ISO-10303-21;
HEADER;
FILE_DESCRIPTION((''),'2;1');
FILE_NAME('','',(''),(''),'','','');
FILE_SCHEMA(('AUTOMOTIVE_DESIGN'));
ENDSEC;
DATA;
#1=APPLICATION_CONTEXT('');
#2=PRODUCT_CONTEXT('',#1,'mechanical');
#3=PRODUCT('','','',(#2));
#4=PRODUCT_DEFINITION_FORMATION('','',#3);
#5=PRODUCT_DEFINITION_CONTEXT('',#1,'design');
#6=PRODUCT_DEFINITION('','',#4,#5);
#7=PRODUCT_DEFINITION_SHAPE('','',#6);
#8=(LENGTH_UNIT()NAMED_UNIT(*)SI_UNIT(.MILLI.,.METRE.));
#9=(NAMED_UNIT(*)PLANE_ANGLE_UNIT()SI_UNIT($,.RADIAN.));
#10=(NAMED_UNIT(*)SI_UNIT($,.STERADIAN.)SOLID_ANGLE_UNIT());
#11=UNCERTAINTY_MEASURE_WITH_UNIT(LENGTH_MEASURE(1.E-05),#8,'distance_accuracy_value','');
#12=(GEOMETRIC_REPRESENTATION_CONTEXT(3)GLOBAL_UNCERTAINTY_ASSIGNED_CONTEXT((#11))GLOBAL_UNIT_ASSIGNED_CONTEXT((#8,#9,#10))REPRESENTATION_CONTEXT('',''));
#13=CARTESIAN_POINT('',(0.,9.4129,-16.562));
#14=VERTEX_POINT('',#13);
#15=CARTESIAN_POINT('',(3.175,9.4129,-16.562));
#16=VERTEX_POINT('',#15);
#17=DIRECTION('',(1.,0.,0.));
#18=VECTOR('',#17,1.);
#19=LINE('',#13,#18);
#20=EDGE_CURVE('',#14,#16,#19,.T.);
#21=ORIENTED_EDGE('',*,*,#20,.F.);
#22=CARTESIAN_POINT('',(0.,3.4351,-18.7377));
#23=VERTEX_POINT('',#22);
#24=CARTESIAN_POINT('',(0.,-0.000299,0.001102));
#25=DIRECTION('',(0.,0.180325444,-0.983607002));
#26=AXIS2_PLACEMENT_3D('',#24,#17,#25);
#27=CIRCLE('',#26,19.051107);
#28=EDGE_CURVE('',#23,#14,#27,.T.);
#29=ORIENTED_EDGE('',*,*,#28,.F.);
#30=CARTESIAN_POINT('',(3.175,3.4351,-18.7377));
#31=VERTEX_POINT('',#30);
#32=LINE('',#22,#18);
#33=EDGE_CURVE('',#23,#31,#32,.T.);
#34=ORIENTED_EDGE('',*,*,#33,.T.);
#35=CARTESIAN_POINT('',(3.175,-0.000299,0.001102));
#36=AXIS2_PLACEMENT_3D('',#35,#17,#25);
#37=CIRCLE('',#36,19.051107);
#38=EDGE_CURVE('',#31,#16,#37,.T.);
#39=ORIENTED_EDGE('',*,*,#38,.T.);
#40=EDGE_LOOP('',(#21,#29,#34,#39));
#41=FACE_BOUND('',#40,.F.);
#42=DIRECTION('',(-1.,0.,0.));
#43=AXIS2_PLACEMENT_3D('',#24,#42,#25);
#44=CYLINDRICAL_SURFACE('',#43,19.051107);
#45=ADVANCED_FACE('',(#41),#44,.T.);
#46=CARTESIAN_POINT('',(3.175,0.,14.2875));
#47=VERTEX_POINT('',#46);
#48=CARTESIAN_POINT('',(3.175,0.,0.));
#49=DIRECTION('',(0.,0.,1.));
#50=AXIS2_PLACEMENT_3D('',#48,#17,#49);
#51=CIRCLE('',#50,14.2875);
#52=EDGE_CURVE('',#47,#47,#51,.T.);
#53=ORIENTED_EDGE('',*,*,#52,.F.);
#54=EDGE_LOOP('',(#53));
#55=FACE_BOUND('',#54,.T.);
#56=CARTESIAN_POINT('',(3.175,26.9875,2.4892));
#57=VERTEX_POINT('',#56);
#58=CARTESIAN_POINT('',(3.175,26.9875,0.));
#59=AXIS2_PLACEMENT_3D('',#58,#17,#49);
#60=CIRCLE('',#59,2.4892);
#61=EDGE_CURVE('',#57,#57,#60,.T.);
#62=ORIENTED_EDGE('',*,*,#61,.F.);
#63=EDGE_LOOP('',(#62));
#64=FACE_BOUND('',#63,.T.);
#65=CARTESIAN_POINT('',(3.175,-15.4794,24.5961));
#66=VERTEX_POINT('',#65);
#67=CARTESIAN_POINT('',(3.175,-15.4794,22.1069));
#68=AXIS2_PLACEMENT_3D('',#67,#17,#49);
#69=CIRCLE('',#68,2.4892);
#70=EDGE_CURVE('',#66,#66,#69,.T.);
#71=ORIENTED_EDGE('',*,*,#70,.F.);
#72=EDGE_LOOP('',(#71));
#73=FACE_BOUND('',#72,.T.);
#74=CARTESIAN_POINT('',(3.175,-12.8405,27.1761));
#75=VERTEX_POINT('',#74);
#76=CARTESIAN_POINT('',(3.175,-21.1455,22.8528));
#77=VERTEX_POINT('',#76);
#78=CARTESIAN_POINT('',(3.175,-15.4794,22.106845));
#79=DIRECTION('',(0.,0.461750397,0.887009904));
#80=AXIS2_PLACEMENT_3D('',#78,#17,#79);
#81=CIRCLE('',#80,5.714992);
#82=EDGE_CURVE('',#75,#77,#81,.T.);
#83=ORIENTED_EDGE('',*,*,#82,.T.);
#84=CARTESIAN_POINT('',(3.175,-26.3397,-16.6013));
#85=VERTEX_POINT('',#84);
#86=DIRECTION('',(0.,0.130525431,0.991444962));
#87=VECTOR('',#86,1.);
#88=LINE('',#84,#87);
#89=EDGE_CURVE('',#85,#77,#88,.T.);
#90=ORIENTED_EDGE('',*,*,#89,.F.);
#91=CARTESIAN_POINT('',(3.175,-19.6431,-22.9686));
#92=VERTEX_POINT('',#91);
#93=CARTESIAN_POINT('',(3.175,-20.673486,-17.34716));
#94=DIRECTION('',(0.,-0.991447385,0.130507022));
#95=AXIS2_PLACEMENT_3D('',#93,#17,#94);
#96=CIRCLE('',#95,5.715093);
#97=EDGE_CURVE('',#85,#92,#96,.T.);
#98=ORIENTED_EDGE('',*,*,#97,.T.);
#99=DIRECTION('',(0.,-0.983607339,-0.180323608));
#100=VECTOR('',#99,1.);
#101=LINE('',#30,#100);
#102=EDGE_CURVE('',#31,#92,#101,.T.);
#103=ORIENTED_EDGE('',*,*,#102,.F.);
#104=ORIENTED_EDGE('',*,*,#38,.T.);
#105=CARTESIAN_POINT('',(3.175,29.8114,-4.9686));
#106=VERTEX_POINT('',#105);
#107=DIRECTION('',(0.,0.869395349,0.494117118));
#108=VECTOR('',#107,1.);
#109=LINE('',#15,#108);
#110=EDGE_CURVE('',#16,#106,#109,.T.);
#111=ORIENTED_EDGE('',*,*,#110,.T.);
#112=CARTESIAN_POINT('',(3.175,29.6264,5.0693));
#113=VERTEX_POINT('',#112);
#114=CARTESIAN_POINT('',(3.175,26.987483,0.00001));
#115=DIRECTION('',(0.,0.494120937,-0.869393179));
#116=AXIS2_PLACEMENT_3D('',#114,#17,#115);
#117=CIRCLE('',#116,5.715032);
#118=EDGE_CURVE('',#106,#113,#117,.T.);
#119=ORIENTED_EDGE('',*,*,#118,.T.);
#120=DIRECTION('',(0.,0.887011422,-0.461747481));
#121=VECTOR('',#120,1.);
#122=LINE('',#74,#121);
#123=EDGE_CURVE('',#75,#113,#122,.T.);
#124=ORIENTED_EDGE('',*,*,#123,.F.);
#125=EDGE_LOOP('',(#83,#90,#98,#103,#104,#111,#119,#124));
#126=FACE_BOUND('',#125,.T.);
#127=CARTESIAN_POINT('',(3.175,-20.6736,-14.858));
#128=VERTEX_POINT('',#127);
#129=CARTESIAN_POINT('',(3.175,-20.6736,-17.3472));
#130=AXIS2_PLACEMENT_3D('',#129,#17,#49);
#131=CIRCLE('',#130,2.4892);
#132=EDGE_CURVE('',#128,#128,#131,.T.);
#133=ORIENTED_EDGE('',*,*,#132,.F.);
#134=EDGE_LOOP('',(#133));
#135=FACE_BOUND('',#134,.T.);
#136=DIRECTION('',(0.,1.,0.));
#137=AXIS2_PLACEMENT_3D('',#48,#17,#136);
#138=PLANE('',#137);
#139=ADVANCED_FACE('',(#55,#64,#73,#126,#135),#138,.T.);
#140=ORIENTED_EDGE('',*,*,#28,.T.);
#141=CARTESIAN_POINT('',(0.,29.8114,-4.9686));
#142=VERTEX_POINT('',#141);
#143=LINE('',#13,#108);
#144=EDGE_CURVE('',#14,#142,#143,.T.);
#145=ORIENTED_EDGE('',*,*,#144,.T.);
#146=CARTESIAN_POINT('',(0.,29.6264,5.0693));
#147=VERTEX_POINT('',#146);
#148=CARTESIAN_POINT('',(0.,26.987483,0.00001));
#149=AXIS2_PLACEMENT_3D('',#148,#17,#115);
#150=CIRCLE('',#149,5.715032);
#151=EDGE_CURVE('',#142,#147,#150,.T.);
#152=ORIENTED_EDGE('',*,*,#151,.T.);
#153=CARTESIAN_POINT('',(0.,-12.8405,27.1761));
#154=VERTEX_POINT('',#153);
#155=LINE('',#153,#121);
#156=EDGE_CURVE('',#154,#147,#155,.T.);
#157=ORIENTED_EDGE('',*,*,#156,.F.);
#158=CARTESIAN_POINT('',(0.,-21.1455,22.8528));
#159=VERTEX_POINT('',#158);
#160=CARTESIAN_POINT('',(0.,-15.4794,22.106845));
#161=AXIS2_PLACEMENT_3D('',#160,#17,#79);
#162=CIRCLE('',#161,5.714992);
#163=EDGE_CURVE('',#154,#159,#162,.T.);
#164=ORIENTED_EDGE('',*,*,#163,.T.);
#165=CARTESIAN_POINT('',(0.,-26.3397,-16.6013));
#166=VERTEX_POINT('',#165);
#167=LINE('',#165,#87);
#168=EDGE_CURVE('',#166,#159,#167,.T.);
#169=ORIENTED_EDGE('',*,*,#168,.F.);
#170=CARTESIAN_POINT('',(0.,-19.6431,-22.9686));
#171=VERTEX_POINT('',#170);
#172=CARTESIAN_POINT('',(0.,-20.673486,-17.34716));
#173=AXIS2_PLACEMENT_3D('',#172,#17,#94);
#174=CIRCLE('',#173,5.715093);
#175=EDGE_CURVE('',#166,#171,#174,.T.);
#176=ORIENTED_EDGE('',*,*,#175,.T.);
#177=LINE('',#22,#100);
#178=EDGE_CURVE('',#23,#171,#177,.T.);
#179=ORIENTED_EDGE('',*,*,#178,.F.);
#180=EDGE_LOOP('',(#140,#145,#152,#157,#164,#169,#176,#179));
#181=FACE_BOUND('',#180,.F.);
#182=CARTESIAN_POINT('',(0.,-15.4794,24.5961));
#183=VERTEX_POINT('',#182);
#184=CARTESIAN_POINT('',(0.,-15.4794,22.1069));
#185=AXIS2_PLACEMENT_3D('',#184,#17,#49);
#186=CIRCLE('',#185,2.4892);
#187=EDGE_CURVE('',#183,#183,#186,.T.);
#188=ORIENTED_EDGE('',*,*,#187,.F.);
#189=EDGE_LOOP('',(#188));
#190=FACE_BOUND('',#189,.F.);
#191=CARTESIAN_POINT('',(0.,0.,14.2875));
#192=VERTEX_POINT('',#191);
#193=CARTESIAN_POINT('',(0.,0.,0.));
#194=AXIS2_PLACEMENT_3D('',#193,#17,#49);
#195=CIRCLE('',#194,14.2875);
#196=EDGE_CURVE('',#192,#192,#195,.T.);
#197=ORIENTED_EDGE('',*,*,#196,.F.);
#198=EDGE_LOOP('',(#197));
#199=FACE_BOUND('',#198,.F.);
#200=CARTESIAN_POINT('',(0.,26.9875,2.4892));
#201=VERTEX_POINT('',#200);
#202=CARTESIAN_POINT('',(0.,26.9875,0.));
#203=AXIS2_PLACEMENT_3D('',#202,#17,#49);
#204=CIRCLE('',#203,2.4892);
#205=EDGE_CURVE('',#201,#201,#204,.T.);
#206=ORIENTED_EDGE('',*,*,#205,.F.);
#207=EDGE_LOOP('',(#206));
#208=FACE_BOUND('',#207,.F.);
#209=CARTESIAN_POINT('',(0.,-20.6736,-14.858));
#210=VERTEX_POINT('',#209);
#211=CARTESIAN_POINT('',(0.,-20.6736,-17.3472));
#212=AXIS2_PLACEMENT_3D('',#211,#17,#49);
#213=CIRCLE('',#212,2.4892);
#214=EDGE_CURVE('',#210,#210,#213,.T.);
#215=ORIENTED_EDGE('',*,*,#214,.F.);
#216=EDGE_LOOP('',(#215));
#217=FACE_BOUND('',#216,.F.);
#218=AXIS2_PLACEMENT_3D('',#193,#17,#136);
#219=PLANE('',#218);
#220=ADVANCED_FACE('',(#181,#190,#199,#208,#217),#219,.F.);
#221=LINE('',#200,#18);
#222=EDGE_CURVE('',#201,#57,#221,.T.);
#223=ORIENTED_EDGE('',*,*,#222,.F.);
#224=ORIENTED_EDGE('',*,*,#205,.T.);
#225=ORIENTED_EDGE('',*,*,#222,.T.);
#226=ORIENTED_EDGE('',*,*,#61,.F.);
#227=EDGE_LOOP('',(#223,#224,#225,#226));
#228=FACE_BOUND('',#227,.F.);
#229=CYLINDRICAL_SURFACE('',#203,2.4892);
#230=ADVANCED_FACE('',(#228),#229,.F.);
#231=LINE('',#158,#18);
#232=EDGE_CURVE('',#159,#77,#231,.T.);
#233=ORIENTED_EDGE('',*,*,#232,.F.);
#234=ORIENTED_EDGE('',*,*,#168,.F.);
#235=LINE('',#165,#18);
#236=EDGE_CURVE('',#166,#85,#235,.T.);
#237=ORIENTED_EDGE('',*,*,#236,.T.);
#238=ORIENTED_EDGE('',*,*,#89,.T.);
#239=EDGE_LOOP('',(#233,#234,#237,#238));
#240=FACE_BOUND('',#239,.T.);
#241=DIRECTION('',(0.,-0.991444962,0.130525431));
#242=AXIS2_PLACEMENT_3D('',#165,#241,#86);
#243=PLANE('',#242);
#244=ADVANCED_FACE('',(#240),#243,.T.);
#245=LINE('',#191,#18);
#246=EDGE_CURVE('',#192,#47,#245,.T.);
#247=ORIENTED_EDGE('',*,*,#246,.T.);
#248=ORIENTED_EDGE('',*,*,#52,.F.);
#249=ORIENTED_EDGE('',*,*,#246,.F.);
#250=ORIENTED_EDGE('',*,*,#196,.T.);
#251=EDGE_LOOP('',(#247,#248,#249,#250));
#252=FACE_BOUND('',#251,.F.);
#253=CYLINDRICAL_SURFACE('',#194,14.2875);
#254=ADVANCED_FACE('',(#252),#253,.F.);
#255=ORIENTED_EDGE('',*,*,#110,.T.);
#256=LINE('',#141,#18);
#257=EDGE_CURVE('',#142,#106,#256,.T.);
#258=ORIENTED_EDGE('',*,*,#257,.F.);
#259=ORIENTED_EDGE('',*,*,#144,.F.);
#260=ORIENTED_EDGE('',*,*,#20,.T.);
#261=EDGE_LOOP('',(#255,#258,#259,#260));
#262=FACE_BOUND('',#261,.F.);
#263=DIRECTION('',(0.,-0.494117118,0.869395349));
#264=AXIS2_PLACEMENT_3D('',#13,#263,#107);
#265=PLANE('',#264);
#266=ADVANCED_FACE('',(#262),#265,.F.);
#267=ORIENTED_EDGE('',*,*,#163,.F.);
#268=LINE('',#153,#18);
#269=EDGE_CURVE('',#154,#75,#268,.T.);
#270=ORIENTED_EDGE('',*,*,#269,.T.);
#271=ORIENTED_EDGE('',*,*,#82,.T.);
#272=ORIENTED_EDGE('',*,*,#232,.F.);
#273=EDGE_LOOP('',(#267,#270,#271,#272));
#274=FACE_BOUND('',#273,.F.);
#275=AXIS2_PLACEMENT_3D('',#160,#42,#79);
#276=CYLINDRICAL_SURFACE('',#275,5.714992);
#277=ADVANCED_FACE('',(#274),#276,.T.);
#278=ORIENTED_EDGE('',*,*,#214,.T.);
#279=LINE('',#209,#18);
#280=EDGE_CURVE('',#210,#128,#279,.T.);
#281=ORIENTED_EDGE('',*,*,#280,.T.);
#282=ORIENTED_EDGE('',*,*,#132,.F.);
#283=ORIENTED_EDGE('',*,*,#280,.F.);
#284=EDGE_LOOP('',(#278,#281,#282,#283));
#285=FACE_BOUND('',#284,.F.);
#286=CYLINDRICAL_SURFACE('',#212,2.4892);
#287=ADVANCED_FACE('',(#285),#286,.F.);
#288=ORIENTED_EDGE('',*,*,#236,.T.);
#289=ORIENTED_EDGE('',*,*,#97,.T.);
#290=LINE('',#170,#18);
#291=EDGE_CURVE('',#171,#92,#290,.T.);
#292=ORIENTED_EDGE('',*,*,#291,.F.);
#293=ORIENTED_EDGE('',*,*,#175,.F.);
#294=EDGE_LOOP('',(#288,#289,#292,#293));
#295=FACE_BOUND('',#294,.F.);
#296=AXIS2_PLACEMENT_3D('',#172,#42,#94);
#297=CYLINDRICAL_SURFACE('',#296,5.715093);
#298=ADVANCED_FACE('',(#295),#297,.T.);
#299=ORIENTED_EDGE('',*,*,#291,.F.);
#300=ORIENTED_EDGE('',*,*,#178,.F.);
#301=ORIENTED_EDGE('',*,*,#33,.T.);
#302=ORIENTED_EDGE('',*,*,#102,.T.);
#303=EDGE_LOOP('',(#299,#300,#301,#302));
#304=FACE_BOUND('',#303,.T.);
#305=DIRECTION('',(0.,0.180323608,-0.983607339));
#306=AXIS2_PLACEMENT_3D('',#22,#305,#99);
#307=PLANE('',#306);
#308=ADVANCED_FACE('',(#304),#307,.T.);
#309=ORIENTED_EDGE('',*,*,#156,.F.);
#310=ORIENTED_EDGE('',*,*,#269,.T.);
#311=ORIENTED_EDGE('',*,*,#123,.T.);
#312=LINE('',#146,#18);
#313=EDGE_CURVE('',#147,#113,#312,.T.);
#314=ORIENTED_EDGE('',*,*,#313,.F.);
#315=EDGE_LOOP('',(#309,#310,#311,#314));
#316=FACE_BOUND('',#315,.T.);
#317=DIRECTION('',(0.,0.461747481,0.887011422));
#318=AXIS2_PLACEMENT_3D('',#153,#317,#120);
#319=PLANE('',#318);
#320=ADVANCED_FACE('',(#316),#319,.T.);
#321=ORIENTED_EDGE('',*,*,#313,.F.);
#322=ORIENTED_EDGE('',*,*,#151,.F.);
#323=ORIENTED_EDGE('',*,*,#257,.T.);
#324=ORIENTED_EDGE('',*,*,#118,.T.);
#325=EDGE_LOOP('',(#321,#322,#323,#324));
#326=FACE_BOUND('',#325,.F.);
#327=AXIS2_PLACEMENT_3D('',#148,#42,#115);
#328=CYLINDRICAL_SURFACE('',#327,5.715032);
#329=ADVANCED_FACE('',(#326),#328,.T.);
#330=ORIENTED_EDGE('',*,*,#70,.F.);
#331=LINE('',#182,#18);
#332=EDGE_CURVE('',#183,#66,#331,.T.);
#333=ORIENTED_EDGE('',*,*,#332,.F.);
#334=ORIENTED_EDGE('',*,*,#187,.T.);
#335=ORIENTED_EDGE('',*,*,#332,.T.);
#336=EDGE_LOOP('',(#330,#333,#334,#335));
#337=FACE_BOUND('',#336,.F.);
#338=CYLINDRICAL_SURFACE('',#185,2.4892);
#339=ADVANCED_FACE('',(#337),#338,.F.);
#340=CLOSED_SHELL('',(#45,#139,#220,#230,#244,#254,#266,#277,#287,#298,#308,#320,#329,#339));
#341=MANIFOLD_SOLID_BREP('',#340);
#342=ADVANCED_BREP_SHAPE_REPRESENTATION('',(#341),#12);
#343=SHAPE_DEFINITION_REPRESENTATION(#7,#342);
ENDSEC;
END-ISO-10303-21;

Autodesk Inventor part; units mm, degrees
ref_plane "YZ Plane" through (0, 0, 0) normal (1, 0, 0) x (0, 1, 0)
ref_plane "XZ Plane" through (0, 0, 0) normal (0, 1, 0) x (-1, 0, 0)
ref_plane "XY Plane" through (0, 0, 0) normal (0, 0, 1) x (1, 0, 0)
sketch "Sketch1" plane through (0, 0, 0) normal (1, 0, 0) x (0, 1, 0)
  line L0 (-15.4794, 22.1069) -> (0, 0) construction
  line L1 (0, 0) -> (26.9875, 0) construction
  line L2 (0, 0) -> (-20.6736, -17.3472) construction
  arc A0 (-12.8405, 27.1761) -> (-21.1455, 22.8528) centre (-15.4794, 22.1069) ccw
  arc A1 (-26.3397, -16.6013) -> (-19.6431, -22.9686) centre (-20.6736, -17.3472) ccw
  arc A2 (29.8114, -4.9686) -> (29.6264, 5.0693) centre (26.9875, 0) ccw
  circle A3 centre (0, 0) radius 14.2875 construction
  line L3 (9.4129, -16.562) -> (29.8114, -4.9686)
  arc A4 (3.4351, -18.7377) -> (9.4129, -16.562) centre (0, 0) ccw
  line L4 (3.4351, -18.7377) -> (-19.6431, -22.9686)
  line L5 (-26.3397, -16.6013) -> (-21.1455, 22.8528)
  line L6 (-12.8405, 27.1761) -> (29.6264, 5.0693)
  line L7 (0, 0) -> (0, -5.4993)
  dimension "d0" = 26.9875
  dimension "d1" = 95
  dimension "d2" = 5.715
  dimension "d3" = 28.575
  dimension "d22" = 19.05
  dimension "d23" = 50
extrude "Plate1" add sketch "Sketch1" along normal blind 3.175
hole "Hole1" at (0, 0, 0) direction (1, 0, 0) diameter 28.575 depth 3.175 tip angle 118
hole "Hole2" at (0, 26.9875, 0) at (0, -15.4794, 22.1069) at (0, -20.6736, -17.3472) direction (1, 0, 0) diameter 4.9784 depth 3.175 tip angle 118 clearance for "Flat Head Machine Screw (82)" size "#10" standard "Ansi Unified Screw Threads"
equation "\"d11\" = Thickness"
equation "\"d18\" = Thickness"
equation "\"d5\" = Thickness"
equation "\"BendRadius\" = Thickness"
equation "\"BendReliefWidth\" = Thickness"
equation "\"BendReliefDepth\" = 0.5 * Thickness"
equation "\"CornerReliefSize\" = 4 * Thickness"
equation "\"MinimumRemnant\" = 2 * Thickness"
equation "\"TransitionRadius\" = BendRadius"
equation "\"JacobiRadiusSize\" = BendRadius"
equation "\"GapSize\" = Thickness"
equation "\"Thickness\" = 3.175"
properties part number "PLATE,REVERSER,SUPPORT" material "Aluminum 6061"
